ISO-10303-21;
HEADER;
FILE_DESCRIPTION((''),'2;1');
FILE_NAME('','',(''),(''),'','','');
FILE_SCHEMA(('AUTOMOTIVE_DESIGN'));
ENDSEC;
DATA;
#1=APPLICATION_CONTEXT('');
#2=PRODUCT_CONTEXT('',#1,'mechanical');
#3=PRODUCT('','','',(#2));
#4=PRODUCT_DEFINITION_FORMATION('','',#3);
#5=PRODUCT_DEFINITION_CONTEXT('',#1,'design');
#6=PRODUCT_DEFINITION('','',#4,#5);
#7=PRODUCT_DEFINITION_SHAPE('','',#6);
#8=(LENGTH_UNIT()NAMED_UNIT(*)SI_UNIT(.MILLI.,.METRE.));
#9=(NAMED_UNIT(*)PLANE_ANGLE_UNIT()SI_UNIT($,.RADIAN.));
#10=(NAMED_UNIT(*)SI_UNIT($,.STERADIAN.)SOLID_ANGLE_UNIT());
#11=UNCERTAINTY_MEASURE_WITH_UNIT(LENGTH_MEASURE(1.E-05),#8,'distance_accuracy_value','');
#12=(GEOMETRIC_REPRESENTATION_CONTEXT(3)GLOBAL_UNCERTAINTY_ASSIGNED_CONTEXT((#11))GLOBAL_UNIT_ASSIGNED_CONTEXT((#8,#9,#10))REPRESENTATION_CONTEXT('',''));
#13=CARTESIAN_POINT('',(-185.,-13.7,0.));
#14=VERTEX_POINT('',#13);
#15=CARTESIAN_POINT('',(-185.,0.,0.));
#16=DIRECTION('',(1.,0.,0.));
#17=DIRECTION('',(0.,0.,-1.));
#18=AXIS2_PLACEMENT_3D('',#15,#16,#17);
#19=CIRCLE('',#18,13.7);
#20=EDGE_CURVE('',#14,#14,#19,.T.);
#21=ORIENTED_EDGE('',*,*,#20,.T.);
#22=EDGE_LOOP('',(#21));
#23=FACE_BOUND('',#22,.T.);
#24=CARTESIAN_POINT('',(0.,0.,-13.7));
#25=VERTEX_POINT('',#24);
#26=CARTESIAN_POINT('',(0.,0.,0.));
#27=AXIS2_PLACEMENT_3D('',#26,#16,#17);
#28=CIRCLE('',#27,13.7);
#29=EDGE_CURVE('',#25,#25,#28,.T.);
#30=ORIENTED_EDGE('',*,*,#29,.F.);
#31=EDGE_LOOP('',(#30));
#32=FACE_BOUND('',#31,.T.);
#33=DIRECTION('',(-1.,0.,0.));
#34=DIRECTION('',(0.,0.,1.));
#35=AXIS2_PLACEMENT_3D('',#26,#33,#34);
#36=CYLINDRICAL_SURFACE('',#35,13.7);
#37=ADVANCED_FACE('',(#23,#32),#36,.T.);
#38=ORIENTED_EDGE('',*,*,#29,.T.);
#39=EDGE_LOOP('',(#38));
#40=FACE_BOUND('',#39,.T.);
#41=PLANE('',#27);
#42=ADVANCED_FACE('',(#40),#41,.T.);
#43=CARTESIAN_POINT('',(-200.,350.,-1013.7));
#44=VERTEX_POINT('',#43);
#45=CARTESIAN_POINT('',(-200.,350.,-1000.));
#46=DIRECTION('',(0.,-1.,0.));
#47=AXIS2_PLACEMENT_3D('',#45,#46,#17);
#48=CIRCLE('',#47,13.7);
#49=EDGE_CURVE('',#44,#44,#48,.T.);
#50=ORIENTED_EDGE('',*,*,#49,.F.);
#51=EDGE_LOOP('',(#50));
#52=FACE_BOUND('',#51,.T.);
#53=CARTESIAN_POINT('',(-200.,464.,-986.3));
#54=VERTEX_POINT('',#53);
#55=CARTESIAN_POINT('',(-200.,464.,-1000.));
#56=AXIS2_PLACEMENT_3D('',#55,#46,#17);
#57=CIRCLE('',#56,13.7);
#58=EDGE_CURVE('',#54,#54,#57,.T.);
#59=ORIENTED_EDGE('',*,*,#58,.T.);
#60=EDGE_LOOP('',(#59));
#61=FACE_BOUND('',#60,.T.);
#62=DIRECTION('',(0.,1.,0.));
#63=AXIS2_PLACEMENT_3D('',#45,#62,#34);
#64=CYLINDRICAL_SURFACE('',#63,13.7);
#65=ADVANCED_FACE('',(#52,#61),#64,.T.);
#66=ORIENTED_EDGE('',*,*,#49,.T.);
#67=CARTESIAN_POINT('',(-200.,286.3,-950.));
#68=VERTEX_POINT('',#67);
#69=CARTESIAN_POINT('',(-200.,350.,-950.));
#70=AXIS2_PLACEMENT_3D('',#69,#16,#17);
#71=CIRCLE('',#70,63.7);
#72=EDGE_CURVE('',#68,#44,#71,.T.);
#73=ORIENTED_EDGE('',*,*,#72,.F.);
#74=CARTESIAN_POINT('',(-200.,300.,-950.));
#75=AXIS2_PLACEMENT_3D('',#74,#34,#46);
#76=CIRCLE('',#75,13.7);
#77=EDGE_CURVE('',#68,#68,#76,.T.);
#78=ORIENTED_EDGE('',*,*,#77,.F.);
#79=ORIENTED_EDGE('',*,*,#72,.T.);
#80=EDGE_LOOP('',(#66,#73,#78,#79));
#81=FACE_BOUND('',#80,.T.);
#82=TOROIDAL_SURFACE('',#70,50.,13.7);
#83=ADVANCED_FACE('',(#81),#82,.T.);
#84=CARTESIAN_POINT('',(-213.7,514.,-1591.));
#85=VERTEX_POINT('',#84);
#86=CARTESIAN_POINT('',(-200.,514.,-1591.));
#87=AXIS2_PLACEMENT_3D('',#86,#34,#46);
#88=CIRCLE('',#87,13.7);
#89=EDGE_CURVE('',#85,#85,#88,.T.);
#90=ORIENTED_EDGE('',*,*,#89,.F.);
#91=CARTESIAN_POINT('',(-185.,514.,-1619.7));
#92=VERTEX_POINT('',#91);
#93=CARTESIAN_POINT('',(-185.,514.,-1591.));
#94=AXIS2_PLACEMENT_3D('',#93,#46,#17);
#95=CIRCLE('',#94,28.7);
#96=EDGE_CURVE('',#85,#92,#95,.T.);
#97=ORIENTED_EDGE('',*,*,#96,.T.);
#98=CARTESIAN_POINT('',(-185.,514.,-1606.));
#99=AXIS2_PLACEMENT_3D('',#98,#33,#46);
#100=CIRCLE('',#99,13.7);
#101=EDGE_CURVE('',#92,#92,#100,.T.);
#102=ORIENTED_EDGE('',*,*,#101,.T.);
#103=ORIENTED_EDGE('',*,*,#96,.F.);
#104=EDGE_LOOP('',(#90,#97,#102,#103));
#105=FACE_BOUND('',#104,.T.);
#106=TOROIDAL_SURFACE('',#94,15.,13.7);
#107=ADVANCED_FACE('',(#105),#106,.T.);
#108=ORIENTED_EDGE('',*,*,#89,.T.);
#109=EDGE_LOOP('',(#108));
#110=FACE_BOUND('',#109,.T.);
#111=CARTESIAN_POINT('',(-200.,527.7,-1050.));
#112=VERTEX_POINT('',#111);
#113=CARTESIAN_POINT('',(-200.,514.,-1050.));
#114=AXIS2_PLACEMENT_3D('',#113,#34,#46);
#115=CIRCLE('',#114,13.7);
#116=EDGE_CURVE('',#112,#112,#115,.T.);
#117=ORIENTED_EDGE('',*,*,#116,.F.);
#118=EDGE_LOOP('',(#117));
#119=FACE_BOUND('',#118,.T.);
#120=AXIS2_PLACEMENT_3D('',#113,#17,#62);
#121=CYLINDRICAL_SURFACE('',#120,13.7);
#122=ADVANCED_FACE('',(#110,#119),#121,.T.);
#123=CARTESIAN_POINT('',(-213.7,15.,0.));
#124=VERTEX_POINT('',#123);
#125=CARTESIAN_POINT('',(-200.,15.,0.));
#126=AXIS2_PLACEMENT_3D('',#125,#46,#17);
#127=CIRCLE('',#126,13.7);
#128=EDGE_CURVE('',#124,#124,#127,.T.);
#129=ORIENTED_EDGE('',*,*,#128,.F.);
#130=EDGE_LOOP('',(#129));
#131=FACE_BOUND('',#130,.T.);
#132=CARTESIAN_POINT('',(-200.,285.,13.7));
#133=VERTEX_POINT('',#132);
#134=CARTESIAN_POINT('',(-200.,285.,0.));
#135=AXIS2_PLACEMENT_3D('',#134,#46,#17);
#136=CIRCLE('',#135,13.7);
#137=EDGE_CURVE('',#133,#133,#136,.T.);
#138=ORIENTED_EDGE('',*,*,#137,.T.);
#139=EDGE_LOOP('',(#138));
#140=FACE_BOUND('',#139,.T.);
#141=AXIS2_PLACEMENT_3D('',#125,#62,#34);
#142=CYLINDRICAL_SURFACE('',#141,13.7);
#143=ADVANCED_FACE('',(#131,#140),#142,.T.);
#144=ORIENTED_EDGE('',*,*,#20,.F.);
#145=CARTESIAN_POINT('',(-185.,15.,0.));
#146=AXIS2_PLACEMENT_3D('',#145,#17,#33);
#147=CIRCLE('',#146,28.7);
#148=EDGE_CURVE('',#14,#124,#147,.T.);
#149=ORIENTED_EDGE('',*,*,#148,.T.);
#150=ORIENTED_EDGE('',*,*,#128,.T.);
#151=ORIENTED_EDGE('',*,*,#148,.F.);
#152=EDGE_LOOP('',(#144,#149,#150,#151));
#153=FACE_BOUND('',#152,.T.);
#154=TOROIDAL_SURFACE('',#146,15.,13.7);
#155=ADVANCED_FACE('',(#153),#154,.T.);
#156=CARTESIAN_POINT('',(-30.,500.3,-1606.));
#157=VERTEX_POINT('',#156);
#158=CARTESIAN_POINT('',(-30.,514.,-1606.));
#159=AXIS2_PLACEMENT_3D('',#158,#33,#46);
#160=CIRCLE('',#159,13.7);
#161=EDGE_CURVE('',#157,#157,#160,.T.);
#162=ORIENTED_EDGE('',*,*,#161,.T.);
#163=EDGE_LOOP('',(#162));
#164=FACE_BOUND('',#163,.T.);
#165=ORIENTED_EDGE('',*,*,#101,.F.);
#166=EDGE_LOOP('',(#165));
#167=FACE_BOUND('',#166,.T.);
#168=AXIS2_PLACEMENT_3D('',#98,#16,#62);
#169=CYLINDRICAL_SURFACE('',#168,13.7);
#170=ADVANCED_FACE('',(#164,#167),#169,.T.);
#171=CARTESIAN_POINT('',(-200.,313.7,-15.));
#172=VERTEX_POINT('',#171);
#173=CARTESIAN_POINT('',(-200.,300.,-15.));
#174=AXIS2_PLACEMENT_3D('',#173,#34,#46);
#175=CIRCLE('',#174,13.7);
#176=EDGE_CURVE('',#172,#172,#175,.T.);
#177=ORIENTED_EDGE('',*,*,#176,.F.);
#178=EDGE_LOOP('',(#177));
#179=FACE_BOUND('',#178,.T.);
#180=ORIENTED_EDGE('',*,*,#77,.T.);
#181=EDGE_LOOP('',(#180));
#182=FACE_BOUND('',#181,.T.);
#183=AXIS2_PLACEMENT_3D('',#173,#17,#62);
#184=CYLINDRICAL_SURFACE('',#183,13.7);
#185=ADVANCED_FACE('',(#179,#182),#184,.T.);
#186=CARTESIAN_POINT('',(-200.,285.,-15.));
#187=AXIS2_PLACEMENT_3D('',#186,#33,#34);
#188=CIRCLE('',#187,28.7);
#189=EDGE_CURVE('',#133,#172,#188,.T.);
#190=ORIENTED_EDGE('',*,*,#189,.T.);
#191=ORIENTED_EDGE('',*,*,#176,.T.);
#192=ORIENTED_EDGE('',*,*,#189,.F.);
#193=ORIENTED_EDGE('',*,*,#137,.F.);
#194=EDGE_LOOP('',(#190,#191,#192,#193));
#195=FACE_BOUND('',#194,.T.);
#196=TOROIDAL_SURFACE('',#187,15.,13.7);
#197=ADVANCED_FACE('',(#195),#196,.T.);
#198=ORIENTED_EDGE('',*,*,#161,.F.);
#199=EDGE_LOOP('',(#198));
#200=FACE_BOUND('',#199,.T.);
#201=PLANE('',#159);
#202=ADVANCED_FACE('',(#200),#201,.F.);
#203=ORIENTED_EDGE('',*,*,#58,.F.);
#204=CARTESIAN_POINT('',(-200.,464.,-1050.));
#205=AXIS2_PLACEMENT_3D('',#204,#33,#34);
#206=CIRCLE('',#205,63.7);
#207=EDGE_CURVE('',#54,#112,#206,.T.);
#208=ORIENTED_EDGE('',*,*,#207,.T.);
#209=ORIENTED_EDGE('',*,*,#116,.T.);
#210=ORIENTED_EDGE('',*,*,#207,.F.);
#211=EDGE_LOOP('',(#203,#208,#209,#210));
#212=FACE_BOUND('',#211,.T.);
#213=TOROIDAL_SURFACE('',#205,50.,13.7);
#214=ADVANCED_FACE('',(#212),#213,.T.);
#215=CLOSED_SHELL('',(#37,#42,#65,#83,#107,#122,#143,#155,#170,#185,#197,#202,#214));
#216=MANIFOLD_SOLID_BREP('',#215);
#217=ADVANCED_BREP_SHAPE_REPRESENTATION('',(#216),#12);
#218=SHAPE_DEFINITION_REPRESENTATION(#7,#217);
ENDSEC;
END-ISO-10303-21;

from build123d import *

# Parameters (mm, degrees)
CROQUIS1_R = 13.7


with BuildPart() as part:
    # Barrer1: sweep along a curve in space
    with BuildLine() as barrer1_path:
        Line((0, 0, 0), (-185, 0, 0))
        ThreePointArc((-185, 0, 0), (-195.606601718, 4.393398282, 0), (-200, 15, 0))
        Line((-200, 15, 0), (-200, 285, 0))
        ThreePointArc((-200, 300, -15), (-200, 295.606601718, -4.393398282), (-200, 285, 0))
        Line((-200, 300, -15), (-200, 300, -950))
        ThreePointArc((-200, 350, -1000), (-200, 314.644660941, -985.355339059), (-200, 300, -950))
        Line((-200, 464, -1000), (-200, 350, -1000))
        ThreePointArc((-200, 464, -1000), (-200, 499.355339059, -1014.644660941), (-200, 514, -1050))
        Line((-200, 514, -1050), (-200, 514, -1591))
        ThreePointArc((-200, 514, -1591), (-195.606601718, 514, -1601.606601718), (-185, 514, -1606))
        Line((-185, 514, -1606), (-30, 514, -1606))
    # Croquis1 → Barrer1 (sweep)
    with BuildSketch(Plane(origin=(0, 0, 0), x_dir=(0, 0, -1), z_dir=(1, 0, 0))):
        Circle(CROQUIS1_R)
    sweep(path=barrer1_path.line)


solid = part.part
